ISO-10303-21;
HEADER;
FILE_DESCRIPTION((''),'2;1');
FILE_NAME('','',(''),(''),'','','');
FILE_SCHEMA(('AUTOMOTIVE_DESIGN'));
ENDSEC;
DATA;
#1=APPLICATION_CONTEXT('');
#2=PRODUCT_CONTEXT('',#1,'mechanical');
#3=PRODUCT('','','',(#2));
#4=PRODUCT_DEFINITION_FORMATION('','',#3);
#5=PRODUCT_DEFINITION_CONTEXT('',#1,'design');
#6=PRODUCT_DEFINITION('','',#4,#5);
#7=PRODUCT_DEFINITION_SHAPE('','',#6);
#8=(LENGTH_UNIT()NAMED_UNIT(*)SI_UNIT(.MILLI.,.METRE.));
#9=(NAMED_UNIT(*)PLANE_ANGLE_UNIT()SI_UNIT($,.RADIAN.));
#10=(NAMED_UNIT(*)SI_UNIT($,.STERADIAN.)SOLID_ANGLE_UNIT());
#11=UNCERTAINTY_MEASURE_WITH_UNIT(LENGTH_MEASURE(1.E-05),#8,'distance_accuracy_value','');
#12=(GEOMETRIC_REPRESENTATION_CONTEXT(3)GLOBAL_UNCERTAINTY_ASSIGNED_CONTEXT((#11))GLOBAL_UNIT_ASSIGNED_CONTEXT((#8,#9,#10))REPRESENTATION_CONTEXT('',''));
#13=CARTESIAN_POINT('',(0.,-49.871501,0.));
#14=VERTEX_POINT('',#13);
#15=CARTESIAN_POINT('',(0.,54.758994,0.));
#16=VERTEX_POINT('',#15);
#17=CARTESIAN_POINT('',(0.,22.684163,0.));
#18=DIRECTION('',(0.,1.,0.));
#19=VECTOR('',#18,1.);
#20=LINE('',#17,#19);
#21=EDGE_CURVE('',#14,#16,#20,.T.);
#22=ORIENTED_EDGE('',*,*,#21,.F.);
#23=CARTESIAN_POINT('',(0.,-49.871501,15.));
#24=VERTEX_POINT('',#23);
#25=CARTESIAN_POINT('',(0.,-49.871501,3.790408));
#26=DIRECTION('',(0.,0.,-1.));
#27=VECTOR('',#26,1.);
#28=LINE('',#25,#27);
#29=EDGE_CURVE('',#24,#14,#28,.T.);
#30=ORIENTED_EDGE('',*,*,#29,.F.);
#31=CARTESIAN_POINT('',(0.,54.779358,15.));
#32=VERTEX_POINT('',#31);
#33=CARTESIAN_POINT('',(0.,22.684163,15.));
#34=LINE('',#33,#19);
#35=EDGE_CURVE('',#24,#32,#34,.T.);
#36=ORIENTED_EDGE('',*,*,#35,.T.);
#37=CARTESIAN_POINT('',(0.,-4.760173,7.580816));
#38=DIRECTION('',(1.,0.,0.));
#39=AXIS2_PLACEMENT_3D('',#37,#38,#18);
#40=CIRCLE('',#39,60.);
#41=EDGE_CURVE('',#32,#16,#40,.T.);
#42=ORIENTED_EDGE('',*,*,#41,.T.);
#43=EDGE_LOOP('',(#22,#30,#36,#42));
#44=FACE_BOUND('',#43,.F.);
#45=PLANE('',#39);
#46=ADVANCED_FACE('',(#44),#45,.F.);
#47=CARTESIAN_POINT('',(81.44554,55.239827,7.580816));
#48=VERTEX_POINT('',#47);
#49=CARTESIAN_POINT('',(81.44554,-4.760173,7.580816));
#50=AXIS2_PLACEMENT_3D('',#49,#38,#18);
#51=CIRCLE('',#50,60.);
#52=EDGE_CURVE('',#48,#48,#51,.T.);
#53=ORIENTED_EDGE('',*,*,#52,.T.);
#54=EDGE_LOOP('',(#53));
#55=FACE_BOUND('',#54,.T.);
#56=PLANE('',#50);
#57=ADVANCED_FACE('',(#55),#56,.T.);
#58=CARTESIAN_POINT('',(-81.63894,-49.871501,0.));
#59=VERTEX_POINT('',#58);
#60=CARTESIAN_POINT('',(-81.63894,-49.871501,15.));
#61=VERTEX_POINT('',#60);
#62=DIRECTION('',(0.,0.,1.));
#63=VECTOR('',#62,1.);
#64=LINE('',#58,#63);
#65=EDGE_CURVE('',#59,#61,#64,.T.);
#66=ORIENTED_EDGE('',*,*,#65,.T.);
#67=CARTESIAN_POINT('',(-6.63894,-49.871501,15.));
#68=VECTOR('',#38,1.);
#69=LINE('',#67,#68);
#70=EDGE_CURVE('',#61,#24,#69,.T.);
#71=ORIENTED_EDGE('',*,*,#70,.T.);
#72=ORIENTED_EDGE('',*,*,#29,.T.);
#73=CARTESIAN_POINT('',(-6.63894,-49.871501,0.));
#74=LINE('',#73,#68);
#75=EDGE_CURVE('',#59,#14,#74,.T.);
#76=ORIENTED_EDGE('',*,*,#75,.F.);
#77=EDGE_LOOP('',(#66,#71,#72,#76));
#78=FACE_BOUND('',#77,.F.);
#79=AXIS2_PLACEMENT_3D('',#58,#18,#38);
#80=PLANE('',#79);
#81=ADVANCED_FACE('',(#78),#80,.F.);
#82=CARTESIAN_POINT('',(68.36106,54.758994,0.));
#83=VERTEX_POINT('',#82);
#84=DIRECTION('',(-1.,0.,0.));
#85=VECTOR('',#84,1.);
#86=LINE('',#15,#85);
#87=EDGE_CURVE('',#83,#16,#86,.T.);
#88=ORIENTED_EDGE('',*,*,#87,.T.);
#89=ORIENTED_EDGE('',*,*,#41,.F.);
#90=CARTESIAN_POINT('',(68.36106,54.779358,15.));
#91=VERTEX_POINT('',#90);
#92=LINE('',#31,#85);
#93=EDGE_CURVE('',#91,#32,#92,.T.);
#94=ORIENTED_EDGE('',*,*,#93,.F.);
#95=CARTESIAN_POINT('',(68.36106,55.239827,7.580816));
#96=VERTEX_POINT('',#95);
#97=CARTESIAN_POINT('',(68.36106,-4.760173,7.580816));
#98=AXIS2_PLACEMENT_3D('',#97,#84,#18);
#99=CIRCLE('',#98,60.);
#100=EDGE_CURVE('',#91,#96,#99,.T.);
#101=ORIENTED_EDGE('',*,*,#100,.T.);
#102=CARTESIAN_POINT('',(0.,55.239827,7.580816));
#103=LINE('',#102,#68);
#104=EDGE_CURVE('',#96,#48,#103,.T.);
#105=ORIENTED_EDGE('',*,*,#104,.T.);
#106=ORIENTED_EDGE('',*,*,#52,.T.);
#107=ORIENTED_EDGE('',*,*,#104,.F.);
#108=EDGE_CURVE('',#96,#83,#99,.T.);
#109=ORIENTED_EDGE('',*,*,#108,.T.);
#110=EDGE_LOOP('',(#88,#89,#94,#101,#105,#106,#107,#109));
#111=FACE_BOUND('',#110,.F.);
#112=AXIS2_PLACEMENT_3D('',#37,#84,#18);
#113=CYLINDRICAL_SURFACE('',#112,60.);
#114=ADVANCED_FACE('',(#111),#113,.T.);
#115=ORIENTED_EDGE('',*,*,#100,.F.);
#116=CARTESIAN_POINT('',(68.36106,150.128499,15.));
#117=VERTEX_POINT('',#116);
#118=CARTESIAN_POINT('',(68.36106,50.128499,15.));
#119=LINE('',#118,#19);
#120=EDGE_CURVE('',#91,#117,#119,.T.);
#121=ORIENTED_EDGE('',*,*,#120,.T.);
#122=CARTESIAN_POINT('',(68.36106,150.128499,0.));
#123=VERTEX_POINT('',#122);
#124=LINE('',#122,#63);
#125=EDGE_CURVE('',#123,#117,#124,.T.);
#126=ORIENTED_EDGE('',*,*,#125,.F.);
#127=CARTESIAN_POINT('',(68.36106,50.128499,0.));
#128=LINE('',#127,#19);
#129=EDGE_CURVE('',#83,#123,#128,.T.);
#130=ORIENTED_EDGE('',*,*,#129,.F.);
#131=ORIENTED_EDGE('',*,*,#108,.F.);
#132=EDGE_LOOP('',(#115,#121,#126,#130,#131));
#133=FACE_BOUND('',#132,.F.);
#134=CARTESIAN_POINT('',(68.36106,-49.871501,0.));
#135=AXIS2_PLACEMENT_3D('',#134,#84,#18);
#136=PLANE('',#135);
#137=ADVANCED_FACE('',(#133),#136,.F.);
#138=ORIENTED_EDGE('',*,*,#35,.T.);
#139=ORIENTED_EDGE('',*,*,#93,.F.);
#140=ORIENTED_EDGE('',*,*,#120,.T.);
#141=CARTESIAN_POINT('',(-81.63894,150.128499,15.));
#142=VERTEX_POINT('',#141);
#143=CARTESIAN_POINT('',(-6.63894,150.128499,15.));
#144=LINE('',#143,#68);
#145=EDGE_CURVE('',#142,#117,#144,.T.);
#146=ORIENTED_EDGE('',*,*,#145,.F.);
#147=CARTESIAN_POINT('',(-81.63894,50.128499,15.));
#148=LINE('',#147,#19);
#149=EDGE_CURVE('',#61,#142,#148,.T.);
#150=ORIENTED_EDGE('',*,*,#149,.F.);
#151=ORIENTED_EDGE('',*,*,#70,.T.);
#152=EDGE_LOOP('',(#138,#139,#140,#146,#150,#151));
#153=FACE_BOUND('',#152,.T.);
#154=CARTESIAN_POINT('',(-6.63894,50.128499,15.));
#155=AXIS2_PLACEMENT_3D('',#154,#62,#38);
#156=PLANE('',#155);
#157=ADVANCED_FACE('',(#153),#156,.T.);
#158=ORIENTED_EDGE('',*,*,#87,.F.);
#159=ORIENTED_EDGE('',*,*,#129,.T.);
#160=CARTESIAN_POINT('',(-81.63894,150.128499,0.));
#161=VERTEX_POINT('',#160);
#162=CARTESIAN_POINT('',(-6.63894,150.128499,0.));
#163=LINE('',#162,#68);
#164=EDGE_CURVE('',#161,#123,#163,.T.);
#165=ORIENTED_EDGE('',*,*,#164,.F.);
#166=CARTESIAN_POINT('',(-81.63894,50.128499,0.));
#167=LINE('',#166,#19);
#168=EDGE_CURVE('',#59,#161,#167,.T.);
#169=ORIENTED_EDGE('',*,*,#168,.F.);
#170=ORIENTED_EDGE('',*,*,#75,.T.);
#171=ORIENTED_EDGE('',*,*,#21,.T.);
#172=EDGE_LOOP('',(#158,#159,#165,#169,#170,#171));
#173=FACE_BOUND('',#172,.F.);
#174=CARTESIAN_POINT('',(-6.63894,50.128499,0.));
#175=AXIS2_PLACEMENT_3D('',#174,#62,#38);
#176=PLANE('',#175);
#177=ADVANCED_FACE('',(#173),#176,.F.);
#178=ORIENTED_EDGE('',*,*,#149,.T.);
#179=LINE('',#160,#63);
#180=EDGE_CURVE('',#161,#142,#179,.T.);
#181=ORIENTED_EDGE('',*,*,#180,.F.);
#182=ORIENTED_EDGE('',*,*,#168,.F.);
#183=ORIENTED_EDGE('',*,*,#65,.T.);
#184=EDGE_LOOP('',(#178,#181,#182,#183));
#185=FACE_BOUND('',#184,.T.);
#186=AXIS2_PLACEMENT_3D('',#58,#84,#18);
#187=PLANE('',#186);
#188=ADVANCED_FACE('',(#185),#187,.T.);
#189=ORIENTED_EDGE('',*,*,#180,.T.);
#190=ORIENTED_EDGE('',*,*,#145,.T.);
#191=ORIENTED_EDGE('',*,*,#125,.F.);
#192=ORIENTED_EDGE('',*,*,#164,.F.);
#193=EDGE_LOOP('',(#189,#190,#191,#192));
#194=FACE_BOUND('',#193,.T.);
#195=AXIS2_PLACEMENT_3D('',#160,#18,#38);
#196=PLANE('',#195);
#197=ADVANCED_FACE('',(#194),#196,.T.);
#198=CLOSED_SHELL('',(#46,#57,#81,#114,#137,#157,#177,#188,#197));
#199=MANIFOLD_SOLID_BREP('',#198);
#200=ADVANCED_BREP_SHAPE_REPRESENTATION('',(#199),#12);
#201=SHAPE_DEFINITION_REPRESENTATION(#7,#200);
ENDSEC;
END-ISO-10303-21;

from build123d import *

# Parameters (mm, degrees)
F0_W     = 150
F0_H     = 200
F1_DEPTH = 15
F2_R     = 60
F3_DEPTH = 81.44554


with BuildPart() as f1:
    # F0 (on Top) → F1 (new body)
    with BuildSketch(Plane.XY):
        with Locations((-6.63894, 50.128499)):
            Rectangle(F0_W, F0_H)
    extrude(amount=F1_DEPTH)

    # F2 (on Right) → F3 (join)
    with BuildSketch(Plane.YZ):
        with Locations((-4.760173, 7.580816)):
            Circle(F2_R)
    extrude(amount=F3_DEPTH)


solid = f1.part
